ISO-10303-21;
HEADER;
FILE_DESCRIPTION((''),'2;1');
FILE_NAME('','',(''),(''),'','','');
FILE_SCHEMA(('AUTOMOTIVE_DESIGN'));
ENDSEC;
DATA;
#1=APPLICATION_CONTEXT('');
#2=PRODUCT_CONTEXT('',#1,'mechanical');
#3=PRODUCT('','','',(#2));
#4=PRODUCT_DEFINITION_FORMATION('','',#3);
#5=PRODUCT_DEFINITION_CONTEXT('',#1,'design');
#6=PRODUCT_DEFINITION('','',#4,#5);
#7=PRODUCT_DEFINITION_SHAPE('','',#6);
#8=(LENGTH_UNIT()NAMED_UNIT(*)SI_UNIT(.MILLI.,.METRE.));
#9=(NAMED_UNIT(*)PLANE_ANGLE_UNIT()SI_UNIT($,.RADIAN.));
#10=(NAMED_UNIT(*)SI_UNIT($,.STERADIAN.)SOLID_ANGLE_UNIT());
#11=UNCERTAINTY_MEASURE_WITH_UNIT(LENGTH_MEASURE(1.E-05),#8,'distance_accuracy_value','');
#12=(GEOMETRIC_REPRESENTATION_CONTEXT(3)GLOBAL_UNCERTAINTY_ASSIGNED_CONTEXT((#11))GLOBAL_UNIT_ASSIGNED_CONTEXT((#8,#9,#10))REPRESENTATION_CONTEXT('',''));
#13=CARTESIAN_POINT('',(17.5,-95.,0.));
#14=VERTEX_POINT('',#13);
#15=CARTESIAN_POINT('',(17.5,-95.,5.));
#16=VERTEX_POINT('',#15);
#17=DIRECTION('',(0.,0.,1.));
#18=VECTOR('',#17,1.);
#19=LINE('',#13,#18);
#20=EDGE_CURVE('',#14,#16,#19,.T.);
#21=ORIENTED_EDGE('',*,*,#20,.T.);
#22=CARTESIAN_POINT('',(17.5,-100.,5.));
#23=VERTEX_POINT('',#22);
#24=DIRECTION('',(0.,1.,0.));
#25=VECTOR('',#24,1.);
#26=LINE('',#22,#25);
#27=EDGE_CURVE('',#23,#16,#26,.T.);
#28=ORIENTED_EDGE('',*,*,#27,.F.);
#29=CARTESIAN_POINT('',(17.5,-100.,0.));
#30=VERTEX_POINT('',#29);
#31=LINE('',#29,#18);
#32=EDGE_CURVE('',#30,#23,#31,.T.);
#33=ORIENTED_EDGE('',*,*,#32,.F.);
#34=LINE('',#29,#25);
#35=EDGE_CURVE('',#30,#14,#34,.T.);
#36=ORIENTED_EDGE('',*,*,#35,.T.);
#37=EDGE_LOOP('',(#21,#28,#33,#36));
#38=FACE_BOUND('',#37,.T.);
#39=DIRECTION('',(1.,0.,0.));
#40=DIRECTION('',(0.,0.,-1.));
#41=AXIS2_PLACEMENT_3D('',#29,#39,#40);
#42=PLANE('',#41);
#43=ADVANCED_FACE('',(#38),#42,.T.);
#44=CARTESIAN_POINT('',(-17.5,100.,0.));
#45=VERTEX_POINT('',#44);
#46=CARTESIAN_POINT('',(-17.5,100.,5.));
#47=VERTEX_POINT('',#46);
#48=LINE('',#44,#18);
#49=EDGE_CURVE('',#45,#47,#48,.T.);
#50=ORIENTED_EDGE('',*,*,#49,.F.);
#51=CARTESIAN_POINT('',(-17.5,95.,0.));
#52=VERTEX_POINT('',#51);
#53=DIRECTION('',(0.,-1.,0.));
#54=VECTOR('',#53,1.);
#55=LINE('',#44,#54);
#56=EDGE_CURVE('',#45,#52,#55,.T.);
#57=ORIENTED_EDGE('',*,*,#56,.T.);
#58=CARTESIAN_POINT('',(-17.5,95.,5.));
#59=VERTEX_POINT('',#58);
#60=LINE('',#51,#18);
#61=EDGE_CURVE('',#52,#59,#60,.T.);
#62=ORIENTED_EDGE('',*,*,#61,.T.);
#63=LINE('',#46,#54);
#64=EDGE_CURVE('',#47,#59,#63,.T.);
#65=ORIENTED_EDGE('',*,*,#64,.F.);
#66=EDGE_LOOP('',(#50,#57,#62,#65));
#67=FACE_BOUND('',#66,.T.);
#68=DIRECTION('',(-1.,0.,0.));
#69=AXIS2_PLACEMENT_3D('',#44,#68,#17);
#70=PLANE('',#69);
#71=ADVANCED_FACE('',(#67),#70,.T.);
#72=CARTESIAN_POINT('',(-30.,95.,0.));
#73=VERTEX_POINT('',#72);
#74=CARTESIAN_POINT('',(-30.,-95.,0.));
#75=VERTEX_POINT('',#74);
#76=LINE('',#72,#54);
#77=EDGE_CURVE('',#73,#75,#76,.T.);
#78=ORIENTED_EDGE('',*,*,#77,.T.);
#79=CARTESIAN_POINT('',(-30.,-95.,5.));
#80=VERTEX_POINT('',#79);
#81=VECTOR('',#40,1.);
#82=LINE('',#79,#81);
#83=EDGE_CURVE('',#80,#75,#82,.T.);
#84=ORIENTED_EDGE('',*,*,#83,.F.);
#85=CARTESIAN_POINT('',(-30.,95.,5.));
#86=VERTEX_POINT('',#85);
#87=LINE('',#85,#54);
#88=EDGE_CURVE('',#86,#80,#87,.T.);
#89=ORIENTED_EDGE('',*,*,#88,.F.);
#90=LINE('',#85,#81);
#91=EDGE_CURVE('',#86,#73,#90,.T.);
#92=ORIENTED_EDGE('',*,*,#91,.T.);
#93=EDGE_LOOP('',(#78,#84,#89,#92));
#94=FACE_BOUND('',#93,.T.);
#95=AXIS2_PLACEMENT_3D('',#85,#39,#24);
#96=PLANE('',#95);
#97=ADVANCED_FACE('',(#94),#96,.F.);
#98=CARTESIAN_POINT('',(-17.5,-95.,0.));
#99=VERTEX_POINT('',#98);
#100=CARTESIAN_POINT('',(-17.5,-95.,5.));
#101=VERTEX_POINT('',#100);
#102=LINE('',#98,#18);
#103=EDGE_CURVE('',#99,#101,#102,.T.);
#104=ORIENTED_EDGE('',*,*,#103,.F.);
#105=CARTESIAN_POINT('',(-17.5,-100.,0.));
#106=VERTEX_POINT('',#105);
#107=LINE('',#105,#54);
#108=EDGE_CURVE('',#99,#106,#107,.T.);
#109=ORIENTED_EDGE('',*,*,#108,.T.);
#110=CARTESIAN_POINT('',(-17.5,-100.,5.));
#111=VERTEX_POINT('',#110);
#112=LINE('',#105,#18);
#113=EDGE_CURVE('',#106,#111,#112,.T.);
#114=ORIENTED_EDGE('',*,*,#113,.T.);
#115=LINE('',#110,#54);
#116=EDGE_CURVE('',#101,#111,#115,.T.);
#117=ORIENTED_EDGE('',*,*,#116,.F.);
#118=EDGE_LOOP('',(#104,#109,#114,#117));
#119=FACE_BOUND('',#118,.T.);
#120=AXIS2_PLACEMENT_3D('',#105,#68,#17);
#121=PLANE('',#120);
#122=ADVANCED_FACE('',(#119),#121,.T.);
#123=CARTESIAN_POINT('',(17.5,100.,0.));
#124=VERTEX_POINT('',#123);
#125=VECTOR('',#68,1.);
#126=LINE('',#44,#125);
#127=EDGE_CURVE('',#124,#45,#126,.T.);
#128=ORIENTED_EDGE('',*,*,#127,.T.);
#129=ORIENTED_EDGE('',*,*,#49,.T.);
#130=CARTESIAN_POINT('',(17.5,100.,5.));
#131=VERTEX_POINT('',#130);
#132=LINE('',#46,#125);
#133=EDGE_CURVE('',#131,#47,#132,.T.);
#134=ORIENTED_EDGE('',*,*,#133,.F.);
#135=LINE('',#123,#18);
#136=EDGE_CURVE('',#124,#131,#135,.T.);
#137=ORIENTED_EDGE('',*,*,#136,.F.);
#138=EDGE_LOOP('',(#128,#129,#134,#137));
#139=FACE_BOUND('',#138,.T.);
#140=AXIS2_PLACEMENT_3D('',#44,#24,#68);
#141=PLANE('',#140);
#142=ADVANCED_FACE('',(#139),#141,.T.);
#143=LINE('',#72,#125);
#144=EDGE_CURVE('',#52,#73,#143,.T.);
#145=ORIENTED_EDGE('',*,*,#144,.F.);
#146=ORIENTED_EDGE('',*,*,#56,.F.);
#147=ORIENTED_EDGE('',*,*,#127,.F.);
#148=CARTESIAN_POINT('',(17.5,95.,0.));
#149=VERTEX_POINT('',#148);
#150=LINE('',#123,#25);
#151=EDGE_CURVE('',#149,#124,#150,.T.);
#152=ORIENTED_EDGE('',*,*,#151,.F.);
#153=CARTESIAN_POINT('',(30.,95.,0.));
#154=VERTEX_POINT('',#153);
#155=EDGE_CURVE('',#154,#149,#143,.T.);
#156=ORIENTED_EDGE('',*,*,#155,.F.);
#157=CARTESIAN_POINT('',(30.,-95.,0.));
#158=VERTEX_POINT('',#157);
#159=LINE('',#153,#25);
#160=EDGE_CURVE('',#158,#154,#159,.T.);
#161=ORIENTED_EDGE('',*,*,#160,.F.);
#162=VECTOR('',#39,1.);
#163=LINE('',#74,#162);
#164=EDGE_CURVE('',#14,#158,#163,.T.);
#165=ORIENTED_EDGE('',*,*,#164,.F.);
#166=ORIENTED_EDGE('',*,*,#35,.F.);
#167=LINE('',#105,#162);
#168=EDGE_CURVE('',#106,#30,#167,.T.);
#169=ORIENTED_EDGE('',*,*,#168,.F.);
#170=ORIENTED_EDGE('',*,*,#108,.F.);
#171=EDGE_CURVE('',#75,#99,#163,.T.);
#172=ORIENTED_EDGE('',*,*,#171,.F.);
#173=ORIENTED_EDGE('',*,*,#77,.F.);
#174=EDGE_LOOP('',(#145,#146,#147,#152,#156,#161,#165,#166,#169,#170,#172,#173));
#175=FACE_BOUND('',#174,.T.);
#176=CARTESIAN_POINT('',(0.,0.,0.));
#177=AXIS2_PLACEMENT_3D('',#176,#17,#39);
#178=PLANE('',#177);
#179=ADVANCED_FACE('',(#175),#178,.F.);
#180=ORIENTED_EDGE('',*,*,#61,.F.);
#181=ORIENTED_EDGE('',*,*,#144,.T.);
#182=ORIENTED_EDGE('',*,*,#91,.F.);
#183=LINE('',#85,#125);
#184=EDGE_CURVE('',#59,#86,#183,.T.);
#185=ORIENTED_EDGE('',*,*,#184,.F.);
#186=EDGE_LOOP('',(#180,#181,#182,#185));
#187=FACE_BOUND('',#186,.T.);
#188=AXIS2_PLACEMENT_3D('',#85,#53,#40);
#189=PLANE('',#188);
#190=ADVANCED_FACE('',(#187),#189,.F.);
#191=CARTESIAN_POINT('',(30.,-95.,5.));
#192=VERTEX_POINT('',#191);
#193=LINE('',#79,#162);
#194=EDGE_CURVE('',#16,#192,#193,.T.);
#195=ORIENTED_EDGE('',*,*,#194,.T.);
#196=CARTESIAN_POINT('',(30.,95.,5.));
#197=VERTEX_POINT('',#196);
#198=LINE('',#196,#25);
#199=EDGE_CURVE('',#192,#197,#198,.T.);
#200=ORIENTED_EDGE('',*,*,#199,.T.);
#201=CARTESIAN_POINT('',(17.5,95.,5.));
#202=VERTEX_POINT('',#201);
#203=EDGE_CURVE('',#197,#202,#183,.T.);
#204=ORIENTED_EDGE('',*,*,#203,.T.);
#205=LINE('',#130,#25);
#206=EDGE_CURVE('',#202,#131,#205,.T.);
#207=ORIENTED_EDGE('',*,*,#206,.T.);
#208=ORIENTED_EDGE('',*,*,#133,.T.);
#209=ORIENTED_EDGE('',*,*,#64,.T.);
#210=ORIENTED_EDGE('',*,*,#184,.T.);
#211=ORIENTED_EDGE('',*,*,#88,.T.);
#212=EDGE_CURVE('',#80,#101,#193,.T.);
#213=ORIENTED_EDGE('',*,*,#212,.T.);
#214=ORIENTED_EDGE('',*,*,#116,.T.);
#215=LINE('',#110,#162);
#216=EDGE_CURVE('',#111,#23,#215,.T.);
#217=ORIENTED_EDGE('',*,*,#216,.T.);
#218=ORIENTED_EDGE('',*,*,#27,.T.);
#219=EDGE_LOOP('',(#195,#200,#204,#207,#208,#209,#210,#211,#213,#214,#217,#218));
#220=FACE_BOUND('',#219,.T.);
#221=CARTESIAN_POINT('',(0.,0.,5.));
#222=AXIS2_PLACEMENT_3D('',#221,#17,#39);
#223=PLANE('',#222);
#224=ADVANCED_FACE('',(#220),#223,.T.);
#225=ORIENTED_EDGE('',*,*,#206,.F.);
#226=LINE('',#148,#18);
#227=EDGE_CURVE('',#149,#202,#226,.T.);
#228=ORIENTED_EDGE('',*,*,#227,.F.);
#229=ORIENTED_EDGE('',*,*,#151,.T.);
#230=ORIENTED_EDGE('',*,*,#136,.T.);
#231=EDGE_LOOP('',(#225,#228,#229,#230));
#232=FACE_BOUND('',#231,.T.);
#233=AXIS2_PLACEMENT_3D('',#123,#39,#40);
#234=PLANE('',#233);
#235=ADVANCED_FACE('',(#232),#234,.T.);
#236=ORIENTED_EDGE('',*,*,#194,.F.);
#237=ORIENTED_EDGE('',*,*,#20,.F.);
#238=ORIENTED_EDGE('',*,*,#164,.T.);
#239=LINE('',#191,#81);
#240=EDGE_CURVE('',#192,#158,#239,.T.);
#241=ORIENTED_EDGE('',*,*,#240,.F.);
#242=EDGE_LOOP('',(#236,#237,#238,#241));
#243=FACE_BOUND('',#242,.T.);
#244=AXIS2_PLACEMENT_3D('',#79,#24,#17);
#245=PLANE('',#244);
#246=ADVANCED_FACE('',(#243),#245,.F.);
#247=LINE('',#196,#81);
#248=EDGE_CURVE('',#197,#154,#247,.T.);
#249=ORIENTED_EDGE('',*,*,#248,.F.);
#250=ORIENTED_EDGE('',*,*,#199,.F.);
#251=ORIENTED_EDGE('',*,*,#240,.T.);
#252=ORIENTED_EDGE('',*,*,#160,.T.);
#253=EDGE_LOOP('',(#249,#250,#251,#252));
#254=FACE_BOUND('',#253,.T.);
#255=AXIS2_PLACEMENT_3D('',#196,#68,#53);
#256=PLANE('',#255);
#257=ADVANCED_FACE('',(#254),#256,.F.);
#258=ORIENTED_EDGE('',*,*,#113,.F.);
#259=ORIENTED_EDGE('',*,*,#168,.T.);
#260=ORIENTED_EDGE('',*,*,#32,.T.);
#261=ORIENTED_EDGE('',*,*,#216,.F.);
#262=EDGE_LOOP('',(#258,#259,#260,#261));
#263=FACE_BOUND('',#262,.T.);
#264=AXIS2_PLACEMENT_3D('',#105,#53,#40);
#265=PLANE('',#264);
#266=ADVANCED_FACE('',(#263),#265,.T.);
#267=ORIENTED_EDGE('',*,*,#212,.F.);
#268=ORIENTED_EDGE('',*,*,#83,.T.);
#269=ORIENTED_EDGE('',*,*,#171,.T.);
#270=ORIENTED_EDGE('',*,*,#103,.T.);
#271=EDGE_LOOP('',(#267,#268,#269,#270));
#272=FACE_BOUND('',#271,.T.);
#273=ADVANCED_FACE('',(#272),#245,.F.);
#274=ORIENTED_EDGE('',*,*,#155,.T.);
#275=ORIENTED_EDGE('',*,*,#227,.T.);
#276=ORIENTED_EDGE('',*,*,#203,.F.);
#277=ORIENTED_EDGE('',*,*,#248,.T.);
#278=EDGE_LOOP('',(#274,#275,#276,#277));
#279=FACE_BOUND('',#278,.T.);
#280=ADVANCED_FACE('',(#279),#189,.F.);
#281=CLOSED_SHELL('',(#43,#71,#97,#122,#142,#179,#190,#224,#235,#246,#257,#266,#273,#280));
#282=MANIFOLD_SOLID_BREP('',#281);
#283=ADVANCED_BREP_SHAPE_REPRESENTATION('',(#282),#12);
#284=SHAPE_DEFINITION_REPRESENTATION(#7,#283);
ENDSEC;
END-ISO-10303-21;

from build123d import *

# Parameters (mm, degrees)
ESQUISSE1_W        = 60
ESQUISSE1_H        = 190
BOSS_EXTRU_1_DEPTH = 5
ESQUISSE2_W        = 35
ESQUISSE2_H        = 5
BOSS_EXTRU_2_DEPTH = 5


with BuildPart() as part:
    # Esquisse1 → Boss.-Extru.1 (new body)
    with BuildSketch(Plane.XY):
        Rectangle(ESQUISSE1_W, ESQUISSE1_H)
    extrude(amount=BOSS_EXTRU_1_DEPTH)

    # Esquisse2 → Boss.-Extru.2 (add)
    with BuildSketch(Plane.XY.offset(5)):
        with Locations((0, -97.5)):
            Rectangle(ESQUISSE2_W, ESQUISSE2_H)
        with Locations((0, 97.5)):
            Rectangle(ESQUISSE2_W, ESQUISSE2_H)
    extrude(amount=-BOSS_EXTRU_2_DEPTH)


solid = part.part
